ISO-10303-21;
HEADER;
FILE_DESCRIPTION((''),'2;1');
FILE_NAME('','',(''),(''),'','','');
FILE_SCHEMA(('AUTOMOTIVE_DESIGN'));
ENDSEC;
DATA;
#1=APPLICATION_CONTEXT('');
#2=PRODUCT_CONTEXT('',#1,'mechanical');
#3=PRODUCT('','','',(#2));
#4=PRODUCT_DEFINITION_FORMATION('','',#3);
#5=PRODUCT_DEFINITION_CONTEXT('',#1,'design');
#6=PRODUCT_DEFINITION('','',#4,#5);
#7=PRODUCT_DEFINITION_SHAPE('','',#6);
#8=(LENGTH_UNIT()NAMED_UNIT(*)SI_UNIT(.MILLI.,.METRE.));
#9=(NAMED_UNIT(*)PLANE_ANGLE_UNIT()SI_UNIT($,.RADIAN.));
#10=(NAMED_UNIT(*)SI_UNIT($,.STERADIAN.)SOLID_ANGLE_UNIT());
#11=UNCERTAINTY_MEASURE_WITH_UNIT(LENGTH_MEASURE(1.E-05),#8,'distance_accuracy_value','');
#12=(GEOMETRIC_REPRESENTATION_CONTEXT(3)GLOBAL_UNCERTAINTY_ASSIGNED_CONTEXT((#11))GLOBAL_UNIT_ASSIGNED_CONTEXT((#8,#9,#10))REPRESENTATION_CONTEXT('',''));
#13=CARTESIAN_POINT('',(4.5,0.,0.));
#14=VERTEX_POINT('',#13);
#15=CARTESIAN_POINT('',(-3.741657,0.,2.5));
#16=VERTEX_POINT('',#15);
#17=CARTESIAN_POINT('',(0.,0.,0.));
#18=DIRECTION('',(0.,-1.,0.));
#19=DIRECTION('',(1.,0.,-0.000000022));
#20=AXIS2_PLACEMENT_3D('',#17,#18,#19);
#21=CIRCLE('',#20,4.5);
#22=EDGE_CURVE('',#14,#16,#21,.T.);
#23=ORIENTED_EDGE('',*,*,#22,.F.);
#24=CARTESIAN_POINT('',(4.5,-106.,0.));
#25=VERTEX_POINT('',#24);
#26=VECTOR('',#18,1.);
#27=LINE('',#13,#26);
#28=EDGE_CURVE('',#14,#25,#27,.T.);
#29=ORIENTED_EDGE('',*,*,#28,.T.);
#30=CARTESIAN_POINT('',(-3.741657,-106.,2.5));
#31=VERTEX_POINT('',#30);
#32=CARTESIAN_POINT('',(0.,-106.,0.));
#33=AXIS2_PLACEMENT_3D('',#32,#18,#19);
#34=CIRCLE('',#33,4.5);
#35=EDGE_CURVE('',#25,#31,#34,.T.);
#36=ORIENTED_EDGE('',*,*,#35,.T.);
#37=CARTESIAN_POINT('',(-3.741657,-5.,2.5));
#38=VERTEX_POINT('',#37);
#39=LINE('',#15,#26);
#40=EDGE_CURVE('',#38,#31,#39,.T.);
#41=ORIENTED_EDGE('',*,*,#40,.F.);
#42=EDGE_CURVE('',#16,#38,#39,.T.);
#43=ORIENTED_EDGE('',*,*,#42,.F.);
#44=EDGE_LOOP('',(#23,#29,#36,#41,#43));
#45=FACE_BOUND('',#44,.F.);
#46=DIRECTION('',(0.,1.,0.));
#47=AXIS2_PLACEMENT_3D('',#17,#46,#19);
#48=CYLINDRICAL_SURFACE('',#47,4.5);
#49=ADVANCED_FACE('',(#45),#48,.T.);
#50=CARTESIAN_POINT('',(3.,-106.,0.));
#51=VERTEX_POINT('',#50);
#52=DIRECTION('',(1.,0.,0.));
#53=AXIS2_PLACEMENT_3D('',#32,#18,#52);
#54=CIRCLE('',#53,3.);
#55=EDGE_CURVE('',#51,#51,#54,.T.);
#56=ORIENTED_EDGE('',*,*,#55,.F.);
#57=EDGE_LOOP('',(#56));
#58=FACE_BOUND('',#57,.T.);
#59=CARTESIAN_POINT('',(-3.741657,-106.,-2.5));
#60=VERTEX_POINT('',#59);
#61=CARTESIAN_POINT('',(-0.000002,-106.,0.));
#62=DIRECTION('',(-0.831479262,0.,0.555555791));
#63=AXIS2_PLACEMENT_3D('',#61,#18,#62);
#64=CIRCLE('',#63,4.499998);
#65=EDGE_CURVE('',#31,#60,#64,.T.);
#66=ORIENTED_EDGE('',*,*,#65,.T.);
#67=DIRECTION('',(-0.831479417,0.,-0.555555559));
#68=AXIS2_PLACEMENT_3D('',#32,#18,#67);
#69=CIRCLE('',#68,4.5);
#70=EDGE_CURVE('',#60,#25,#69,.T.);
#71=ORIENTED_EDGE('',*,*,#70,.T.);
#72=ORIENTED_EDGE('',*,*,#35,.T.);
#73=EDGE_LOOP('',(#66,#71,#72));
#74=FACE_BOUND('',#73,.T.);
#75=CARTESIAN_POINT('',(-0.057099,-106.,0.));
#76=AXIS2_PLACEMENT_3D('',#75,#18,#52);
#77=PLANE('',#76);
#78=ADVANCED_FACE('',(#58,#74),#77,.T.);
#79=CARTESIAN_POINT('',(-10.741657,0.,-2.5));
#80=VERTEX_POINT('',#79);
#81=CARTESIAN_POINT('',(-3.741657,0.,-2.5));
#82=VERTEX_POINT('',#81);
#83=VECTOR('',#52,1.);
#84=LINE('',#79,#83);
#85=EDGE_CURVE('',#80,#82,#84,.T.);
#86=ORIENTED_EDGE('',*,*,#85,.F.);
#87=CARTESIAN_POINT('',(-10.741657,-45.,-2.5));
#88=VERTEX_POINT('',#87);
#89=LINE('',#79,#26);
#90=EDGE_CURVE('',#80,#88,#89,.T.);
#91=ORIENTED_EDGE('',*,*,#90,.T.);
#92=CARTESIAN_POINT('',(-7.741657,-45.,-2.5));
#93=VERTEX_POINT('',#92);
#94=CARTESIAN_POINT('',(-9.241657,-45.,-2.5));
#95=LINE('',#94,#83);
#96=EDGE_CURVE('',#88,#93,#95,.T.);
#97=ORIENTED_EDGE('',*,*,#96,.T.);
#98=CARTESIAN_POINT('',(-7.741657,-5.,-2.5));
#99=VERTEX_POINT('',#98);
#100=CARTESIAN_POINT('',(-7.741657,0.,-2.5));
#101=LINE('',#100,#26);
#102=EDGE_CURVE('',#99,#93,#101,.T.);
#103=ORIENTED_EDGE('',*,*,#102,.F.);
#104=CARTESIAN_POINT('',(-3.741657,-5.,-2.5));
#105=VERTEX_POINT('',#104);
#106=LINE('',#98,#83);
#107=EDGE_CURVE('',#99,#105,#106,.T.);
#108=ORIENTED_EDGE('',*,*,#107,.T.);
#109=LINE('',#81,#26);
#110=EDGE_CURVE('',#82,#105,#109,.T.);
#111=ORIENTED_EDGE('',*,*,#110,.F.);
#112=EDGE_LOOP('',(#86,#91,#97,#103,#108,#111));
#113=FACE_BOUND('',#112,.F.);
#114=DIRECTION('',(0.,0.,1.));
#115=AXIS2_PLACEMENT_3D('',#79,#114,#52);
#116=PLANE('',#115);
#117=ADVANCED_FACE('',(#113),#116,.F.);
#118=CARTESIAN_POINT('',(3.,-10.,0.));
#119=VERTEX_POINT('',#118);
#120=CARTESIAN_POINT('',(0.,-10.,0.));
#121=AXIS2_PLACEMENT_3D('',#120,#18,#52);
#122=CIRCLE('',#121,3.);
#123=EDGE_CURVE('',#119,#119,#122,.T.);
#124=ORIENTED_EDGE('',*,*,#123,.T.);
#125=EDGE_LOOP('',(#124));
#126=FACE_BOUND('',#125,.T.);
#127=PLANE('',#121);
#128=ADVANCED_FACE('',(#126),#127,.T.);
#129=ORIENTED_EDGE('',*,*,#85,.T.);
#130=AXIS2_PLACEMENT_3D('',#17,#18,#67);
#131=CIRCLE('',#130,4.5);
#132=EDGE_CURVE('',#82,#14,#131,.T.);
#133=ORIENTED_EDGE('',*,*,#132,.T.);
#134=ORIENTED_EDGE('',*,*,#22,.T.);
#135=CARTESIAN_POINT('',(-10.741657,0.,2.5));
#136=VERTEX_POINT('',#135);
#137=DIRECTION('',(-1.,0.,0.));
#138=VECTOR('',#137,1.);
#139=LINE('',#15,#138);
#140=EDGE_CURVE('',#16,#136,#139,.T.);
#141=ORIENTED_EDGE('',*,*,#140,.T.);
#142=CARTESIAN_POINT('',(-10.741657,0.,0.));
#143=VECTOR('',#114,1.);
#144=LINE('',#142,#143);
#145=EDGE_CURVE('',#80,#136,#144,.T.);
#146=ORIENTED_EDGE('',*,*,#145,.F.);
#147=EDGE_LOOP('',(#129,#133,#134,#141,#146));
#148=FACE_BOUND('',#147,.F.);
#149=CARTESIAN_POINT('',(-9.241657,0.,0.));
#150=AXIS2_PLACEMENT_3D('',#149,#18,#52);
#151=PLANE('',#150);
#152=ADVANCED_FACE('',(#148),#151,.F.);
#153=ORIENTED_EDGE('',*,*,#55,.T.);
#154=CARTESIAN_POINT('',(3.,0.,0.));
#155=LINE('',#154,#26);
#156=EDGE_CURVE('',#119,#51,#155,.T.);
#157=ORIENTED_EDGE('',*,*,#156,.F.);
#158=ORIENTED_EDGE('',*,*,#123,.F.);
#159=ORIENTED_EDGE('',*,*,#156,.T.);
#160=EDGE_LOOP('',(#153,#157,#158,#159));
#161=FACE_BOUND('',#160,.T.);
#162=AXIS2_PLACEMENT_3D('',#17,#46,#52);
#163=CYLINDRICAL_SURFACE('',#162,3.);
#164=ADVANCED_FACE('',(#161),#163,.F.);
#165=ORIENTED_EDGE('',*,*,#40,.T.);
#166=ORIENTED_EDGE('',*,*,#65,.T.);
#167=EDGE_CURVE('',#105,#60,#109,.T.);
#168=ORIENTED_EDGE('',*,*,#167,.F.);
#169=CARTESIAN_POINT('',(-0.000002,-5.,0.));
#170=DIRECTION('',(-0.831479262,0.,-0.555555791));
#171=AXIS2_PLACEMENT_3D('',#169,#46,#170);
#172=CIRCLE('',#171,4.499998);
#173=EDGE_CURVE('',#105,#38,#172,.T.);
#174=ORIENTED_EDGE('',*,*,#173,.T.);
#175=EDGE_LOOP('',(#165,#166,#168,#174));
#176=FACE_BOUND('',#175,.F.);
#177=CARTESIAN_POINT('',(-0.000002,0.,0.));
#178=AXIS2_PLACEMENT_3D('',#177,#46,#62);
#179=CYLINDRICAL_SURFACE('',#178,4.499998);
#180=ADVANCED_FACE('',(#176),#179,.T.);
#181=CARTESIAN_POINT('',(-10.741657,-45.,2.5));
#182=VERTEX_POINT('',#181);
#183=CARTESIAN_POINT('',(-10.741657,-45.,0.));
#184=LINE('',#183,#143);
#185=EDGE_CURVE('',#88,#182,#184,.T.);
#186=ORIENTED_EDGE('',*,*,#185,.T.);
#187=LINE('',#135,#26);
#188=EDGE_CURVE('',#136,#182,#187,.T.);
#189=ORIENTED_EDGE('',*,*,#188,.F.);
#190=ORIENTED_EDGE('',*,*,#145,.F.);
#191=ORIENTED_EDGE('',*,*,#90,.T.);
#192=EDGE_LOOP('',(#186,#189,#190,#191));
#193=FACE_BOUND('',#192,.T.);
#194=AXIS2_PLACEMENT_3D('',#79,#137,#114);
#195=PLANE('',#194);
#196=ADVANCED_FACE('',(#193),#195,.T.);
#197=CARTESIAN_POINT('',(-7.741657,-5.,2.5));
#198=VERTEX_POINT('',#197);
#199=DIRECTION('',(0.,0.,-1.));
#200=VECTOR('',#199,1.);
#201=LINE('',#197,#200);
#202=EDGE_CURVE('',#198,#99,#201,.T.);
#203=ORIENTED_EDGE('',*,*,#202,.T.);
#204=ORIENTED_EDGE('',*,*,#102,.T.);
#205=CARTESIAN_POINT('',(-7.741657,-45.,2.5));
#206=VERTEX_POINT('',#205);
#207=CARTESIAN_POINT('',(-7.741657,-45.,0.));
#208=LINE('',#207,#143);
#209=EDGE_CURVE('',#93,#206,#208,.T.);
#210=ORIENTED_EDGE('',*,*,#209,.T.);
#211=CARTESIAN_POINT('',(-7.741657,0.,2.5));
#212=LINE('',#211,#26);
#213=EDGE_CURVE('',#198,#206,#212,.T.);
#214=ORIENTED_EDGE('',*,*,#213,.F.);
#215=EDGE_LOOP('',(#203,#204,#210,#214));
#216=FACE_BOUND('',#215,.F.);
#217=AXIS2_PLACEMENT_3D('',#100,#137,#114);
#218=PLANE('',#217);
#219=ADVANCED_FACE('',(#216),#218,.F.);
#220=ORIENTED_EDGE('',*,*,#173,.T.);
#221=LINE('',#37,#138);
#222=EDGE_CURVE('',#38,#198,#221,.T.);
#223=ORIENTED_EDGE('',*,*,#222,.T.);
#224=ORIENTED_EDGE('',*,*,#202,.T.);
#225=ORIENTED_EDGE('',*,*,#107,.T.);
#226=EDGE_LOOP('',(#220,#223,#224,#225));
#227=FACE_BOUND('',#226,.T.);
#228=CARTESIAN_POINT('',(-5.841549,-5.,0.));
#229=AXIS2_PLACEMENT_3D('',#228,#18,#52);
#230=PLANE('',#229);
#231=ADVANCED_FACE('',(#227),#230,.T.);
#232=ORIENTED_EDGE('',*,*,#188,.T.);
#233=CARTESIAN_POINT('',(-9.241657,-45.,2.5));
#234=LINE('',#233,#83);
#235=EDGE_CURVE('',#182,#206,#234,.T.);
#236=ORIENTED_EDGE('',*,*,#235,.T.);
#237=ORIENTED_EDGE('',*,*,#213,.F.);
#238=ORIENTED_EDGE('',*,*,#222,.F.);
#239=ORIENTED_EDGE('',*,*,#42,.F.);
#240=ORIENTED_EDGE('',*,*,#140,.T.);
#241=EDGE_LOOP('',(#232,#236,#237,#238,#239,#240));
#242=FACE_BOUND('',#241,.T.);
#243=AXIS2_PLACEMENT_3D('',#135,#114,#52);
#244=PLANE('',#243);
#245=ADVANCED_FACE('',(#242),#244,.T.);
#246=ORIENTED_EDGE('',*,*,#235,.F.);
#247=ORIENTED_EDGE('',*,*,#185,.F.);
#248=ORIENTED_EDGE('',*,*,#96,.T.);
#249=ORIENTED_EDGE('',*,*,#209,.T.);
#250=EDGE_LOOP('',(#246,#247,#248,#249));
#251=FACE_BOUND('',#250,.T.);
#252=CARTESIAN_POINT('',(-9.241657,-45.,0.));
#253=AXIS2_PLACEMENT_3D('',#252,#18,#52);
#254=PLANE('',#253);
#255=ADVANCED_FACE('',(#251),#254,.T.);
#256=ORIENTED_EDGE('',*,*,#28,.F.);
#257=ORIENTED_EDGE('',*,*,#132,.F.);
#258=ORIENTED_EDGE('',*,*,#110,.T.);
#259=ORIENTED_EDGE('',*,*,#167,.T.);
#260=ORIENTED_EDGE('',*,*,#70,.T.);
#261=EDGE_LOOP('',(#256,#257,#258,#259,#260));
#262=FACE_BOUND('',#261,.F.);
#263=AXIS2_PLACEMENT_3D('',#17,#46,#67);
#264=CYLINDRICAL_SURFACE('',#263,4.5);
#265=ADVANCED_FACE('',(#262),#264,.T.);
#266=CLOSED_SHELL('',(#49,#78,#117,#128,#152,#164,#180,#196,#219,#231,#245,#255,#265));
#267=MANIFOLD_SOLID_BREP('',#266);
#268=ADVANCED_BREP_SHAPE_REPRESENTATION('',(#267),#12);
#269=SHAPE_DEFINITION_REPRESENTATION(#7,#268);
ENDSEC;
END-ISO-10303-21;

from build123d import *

# Parameters (mm, degrees)
F0_R     = 3
F1_DEPTH = 106
F2_DEPTH = 10
F3_DEPTH = 5
F0_W     = 3
F0_H     = 5
F4_DEPTH = 45


with BuildPart() as f1:
    # F0 (on Front) → F1 (new body)
    with BuildSketch(Plane.XZ):
        with BuildLine():
            ThreePointArc((-3.741657, -2.5), (1.306243, -4.306243), (4.5, 0))
            ThreePointArc((4.5, 0), (1.306243, 4.306243), (-3.741657, 2.5))
            ThreePointArc((-3.741657, 2.5), (-4.5, 0), (-3.741657, -2.5))
        make_face()
        Circle(F0_R, mode=Mode.SUBTRACT)
    extrude(amount=F1_DEPTH)

    # F0 (on Front) → F2 (join)
    with BuildSketch(Plane.XZ):
        Circle(F0_R)
    extrude(amount=F2_DEPTH)

    # F0 (on Front) → F3 (join)
    with BuildSketch(Plane.XZ):
        with BuildLine():
            ThreePointArc((-3.741657, -2.5), (-4.5, 0), (-3.741657, 2.5))
            Line((-3.741657, 2.5), (-7.741657, 2.5))
            Line((-7.741657, 2.5), (-7.741657, -2.5))
            Line((-7.741657, -2.5), (-3.741657, -2.5))
        make_face()
    extrude(amount=F3_DEPTH)

    # F0 (on Front) → F4 (join)
    with BuildSketch(Plane.XZ):
        with Locations((-9.241657, 0)):
            Rectangle(F0_W, F0_H)
    extrude(amount=F4_DEPTH)


solid = f1.part
